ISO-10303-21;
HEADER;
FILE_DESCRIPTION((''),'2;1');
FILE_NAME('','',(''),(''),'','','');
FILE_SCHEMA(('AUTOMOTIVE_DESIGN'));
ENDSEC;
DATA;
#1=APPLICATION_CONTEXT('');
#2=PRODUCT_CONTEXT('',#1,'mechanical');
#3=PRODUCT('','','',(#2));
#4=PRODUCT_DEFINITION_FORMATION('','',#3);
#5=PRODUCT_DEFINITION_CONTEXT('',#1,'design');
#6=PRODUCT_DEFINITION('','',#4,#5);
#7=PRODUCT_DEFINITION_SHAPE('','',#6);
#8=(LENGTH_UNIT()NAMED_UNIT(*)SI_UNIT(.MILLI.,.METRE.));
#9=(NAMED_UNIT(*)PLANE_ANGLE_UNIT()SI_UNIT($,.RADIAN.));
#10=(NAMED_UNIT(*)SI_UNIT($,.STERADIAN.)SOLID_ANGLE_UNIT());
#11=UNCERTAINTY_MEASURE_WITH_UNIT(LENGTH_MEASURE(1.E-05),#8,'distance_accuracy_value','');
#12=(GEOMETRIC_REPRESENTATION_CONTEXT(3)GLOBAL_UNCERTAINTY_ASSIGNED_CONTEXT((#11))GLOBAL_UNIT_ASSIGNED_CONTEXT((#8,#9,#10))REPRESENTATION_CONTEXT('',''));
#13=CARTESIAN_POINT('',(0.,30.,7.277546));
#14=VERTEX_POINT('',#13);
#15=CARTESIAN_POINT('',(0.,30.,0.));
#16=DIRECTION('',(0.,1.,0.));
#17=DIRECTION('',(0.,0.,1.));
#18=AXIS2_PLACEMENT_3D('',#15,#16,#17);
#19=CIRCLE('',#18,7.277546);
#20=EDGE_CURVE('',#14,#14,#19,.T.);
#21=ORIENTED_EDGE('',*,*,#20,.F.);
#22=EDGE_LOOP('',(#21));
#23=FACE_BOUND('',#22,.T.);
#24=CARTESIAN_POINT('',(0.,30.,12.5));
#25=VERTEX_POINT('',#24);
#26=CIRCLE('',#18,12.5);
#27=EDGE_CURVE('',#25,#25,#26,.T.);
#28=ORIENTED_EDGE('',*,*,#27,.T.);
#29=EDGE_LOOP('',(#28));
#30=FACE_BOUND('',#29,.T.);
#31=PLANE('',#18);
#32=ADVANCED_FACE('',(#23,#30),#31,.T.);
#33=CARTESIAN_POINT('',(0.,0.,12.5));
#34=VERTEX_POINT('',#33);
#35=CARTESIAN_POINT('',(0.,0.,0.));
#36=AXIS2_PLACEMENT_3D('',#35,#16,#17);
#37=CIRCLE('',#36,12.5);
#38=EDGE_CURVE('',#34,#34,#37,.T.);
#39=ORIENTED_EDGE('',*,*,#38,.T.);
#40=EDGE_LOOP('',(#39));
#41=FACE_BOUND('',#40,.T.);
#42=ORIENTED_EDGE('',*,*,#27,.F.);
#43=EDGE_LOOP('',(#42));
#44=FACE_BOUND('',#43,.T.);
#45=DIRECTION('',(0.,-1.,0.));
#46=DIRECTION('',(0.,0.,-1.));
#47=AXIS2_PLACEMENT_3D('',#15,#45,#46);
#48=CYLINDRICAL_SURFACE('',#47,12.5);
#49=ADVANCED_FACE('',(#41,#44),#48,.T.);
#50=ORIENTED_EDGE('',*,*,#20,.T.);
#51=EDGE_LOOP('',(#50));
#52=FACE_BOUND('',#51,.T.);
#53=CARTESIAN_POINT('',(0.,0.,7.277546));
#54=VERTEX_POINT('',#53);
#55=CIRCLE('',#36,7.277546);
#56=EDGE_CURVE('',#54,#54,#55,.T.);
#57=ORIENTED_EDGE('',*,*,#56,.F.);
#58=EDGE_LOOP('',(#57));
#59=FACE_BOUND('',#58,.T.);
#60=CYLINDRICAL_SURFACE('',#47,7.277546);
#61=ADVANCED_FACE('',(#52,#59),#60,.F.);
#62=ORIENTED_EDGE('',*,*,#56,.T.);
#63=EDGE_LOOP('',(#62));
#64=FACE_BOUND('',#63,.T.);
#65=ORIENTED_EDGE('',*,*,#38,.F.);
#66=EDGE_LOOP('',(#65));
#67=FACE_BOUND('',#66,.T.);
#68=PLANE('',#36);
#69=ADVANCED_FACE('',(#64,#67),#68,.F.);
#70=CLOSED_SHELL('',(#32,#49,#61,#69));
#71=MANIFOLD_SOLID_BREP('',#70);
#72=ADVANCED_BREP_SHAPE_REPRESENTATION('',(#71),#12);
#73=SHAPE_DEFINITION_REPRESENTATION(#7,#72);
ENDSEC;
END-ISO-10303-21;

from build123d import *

# Parameters (mm, degrees)
SKETCH1_R           = 12.5
SKETCH1_R_2         = 7.277545571
BOSS_EXTRUDE1_DEPTH = 30


with BuildPart() as part:
    # Sketch1 → Boss-Extrude1 (new body)
    with BuildSketch(Plane(origin=(0, 0, 0), x_dir=(1, 0, 0), z_dir=(0, 1, 0))):
        Circle(SKETCH1_R)
        Circle(SKETCH1_R_2, mode=Mode.SUBTRACT)
    extrude(amount=BOSS_EXTRUDE1_DEPTH)


solid = part.part
